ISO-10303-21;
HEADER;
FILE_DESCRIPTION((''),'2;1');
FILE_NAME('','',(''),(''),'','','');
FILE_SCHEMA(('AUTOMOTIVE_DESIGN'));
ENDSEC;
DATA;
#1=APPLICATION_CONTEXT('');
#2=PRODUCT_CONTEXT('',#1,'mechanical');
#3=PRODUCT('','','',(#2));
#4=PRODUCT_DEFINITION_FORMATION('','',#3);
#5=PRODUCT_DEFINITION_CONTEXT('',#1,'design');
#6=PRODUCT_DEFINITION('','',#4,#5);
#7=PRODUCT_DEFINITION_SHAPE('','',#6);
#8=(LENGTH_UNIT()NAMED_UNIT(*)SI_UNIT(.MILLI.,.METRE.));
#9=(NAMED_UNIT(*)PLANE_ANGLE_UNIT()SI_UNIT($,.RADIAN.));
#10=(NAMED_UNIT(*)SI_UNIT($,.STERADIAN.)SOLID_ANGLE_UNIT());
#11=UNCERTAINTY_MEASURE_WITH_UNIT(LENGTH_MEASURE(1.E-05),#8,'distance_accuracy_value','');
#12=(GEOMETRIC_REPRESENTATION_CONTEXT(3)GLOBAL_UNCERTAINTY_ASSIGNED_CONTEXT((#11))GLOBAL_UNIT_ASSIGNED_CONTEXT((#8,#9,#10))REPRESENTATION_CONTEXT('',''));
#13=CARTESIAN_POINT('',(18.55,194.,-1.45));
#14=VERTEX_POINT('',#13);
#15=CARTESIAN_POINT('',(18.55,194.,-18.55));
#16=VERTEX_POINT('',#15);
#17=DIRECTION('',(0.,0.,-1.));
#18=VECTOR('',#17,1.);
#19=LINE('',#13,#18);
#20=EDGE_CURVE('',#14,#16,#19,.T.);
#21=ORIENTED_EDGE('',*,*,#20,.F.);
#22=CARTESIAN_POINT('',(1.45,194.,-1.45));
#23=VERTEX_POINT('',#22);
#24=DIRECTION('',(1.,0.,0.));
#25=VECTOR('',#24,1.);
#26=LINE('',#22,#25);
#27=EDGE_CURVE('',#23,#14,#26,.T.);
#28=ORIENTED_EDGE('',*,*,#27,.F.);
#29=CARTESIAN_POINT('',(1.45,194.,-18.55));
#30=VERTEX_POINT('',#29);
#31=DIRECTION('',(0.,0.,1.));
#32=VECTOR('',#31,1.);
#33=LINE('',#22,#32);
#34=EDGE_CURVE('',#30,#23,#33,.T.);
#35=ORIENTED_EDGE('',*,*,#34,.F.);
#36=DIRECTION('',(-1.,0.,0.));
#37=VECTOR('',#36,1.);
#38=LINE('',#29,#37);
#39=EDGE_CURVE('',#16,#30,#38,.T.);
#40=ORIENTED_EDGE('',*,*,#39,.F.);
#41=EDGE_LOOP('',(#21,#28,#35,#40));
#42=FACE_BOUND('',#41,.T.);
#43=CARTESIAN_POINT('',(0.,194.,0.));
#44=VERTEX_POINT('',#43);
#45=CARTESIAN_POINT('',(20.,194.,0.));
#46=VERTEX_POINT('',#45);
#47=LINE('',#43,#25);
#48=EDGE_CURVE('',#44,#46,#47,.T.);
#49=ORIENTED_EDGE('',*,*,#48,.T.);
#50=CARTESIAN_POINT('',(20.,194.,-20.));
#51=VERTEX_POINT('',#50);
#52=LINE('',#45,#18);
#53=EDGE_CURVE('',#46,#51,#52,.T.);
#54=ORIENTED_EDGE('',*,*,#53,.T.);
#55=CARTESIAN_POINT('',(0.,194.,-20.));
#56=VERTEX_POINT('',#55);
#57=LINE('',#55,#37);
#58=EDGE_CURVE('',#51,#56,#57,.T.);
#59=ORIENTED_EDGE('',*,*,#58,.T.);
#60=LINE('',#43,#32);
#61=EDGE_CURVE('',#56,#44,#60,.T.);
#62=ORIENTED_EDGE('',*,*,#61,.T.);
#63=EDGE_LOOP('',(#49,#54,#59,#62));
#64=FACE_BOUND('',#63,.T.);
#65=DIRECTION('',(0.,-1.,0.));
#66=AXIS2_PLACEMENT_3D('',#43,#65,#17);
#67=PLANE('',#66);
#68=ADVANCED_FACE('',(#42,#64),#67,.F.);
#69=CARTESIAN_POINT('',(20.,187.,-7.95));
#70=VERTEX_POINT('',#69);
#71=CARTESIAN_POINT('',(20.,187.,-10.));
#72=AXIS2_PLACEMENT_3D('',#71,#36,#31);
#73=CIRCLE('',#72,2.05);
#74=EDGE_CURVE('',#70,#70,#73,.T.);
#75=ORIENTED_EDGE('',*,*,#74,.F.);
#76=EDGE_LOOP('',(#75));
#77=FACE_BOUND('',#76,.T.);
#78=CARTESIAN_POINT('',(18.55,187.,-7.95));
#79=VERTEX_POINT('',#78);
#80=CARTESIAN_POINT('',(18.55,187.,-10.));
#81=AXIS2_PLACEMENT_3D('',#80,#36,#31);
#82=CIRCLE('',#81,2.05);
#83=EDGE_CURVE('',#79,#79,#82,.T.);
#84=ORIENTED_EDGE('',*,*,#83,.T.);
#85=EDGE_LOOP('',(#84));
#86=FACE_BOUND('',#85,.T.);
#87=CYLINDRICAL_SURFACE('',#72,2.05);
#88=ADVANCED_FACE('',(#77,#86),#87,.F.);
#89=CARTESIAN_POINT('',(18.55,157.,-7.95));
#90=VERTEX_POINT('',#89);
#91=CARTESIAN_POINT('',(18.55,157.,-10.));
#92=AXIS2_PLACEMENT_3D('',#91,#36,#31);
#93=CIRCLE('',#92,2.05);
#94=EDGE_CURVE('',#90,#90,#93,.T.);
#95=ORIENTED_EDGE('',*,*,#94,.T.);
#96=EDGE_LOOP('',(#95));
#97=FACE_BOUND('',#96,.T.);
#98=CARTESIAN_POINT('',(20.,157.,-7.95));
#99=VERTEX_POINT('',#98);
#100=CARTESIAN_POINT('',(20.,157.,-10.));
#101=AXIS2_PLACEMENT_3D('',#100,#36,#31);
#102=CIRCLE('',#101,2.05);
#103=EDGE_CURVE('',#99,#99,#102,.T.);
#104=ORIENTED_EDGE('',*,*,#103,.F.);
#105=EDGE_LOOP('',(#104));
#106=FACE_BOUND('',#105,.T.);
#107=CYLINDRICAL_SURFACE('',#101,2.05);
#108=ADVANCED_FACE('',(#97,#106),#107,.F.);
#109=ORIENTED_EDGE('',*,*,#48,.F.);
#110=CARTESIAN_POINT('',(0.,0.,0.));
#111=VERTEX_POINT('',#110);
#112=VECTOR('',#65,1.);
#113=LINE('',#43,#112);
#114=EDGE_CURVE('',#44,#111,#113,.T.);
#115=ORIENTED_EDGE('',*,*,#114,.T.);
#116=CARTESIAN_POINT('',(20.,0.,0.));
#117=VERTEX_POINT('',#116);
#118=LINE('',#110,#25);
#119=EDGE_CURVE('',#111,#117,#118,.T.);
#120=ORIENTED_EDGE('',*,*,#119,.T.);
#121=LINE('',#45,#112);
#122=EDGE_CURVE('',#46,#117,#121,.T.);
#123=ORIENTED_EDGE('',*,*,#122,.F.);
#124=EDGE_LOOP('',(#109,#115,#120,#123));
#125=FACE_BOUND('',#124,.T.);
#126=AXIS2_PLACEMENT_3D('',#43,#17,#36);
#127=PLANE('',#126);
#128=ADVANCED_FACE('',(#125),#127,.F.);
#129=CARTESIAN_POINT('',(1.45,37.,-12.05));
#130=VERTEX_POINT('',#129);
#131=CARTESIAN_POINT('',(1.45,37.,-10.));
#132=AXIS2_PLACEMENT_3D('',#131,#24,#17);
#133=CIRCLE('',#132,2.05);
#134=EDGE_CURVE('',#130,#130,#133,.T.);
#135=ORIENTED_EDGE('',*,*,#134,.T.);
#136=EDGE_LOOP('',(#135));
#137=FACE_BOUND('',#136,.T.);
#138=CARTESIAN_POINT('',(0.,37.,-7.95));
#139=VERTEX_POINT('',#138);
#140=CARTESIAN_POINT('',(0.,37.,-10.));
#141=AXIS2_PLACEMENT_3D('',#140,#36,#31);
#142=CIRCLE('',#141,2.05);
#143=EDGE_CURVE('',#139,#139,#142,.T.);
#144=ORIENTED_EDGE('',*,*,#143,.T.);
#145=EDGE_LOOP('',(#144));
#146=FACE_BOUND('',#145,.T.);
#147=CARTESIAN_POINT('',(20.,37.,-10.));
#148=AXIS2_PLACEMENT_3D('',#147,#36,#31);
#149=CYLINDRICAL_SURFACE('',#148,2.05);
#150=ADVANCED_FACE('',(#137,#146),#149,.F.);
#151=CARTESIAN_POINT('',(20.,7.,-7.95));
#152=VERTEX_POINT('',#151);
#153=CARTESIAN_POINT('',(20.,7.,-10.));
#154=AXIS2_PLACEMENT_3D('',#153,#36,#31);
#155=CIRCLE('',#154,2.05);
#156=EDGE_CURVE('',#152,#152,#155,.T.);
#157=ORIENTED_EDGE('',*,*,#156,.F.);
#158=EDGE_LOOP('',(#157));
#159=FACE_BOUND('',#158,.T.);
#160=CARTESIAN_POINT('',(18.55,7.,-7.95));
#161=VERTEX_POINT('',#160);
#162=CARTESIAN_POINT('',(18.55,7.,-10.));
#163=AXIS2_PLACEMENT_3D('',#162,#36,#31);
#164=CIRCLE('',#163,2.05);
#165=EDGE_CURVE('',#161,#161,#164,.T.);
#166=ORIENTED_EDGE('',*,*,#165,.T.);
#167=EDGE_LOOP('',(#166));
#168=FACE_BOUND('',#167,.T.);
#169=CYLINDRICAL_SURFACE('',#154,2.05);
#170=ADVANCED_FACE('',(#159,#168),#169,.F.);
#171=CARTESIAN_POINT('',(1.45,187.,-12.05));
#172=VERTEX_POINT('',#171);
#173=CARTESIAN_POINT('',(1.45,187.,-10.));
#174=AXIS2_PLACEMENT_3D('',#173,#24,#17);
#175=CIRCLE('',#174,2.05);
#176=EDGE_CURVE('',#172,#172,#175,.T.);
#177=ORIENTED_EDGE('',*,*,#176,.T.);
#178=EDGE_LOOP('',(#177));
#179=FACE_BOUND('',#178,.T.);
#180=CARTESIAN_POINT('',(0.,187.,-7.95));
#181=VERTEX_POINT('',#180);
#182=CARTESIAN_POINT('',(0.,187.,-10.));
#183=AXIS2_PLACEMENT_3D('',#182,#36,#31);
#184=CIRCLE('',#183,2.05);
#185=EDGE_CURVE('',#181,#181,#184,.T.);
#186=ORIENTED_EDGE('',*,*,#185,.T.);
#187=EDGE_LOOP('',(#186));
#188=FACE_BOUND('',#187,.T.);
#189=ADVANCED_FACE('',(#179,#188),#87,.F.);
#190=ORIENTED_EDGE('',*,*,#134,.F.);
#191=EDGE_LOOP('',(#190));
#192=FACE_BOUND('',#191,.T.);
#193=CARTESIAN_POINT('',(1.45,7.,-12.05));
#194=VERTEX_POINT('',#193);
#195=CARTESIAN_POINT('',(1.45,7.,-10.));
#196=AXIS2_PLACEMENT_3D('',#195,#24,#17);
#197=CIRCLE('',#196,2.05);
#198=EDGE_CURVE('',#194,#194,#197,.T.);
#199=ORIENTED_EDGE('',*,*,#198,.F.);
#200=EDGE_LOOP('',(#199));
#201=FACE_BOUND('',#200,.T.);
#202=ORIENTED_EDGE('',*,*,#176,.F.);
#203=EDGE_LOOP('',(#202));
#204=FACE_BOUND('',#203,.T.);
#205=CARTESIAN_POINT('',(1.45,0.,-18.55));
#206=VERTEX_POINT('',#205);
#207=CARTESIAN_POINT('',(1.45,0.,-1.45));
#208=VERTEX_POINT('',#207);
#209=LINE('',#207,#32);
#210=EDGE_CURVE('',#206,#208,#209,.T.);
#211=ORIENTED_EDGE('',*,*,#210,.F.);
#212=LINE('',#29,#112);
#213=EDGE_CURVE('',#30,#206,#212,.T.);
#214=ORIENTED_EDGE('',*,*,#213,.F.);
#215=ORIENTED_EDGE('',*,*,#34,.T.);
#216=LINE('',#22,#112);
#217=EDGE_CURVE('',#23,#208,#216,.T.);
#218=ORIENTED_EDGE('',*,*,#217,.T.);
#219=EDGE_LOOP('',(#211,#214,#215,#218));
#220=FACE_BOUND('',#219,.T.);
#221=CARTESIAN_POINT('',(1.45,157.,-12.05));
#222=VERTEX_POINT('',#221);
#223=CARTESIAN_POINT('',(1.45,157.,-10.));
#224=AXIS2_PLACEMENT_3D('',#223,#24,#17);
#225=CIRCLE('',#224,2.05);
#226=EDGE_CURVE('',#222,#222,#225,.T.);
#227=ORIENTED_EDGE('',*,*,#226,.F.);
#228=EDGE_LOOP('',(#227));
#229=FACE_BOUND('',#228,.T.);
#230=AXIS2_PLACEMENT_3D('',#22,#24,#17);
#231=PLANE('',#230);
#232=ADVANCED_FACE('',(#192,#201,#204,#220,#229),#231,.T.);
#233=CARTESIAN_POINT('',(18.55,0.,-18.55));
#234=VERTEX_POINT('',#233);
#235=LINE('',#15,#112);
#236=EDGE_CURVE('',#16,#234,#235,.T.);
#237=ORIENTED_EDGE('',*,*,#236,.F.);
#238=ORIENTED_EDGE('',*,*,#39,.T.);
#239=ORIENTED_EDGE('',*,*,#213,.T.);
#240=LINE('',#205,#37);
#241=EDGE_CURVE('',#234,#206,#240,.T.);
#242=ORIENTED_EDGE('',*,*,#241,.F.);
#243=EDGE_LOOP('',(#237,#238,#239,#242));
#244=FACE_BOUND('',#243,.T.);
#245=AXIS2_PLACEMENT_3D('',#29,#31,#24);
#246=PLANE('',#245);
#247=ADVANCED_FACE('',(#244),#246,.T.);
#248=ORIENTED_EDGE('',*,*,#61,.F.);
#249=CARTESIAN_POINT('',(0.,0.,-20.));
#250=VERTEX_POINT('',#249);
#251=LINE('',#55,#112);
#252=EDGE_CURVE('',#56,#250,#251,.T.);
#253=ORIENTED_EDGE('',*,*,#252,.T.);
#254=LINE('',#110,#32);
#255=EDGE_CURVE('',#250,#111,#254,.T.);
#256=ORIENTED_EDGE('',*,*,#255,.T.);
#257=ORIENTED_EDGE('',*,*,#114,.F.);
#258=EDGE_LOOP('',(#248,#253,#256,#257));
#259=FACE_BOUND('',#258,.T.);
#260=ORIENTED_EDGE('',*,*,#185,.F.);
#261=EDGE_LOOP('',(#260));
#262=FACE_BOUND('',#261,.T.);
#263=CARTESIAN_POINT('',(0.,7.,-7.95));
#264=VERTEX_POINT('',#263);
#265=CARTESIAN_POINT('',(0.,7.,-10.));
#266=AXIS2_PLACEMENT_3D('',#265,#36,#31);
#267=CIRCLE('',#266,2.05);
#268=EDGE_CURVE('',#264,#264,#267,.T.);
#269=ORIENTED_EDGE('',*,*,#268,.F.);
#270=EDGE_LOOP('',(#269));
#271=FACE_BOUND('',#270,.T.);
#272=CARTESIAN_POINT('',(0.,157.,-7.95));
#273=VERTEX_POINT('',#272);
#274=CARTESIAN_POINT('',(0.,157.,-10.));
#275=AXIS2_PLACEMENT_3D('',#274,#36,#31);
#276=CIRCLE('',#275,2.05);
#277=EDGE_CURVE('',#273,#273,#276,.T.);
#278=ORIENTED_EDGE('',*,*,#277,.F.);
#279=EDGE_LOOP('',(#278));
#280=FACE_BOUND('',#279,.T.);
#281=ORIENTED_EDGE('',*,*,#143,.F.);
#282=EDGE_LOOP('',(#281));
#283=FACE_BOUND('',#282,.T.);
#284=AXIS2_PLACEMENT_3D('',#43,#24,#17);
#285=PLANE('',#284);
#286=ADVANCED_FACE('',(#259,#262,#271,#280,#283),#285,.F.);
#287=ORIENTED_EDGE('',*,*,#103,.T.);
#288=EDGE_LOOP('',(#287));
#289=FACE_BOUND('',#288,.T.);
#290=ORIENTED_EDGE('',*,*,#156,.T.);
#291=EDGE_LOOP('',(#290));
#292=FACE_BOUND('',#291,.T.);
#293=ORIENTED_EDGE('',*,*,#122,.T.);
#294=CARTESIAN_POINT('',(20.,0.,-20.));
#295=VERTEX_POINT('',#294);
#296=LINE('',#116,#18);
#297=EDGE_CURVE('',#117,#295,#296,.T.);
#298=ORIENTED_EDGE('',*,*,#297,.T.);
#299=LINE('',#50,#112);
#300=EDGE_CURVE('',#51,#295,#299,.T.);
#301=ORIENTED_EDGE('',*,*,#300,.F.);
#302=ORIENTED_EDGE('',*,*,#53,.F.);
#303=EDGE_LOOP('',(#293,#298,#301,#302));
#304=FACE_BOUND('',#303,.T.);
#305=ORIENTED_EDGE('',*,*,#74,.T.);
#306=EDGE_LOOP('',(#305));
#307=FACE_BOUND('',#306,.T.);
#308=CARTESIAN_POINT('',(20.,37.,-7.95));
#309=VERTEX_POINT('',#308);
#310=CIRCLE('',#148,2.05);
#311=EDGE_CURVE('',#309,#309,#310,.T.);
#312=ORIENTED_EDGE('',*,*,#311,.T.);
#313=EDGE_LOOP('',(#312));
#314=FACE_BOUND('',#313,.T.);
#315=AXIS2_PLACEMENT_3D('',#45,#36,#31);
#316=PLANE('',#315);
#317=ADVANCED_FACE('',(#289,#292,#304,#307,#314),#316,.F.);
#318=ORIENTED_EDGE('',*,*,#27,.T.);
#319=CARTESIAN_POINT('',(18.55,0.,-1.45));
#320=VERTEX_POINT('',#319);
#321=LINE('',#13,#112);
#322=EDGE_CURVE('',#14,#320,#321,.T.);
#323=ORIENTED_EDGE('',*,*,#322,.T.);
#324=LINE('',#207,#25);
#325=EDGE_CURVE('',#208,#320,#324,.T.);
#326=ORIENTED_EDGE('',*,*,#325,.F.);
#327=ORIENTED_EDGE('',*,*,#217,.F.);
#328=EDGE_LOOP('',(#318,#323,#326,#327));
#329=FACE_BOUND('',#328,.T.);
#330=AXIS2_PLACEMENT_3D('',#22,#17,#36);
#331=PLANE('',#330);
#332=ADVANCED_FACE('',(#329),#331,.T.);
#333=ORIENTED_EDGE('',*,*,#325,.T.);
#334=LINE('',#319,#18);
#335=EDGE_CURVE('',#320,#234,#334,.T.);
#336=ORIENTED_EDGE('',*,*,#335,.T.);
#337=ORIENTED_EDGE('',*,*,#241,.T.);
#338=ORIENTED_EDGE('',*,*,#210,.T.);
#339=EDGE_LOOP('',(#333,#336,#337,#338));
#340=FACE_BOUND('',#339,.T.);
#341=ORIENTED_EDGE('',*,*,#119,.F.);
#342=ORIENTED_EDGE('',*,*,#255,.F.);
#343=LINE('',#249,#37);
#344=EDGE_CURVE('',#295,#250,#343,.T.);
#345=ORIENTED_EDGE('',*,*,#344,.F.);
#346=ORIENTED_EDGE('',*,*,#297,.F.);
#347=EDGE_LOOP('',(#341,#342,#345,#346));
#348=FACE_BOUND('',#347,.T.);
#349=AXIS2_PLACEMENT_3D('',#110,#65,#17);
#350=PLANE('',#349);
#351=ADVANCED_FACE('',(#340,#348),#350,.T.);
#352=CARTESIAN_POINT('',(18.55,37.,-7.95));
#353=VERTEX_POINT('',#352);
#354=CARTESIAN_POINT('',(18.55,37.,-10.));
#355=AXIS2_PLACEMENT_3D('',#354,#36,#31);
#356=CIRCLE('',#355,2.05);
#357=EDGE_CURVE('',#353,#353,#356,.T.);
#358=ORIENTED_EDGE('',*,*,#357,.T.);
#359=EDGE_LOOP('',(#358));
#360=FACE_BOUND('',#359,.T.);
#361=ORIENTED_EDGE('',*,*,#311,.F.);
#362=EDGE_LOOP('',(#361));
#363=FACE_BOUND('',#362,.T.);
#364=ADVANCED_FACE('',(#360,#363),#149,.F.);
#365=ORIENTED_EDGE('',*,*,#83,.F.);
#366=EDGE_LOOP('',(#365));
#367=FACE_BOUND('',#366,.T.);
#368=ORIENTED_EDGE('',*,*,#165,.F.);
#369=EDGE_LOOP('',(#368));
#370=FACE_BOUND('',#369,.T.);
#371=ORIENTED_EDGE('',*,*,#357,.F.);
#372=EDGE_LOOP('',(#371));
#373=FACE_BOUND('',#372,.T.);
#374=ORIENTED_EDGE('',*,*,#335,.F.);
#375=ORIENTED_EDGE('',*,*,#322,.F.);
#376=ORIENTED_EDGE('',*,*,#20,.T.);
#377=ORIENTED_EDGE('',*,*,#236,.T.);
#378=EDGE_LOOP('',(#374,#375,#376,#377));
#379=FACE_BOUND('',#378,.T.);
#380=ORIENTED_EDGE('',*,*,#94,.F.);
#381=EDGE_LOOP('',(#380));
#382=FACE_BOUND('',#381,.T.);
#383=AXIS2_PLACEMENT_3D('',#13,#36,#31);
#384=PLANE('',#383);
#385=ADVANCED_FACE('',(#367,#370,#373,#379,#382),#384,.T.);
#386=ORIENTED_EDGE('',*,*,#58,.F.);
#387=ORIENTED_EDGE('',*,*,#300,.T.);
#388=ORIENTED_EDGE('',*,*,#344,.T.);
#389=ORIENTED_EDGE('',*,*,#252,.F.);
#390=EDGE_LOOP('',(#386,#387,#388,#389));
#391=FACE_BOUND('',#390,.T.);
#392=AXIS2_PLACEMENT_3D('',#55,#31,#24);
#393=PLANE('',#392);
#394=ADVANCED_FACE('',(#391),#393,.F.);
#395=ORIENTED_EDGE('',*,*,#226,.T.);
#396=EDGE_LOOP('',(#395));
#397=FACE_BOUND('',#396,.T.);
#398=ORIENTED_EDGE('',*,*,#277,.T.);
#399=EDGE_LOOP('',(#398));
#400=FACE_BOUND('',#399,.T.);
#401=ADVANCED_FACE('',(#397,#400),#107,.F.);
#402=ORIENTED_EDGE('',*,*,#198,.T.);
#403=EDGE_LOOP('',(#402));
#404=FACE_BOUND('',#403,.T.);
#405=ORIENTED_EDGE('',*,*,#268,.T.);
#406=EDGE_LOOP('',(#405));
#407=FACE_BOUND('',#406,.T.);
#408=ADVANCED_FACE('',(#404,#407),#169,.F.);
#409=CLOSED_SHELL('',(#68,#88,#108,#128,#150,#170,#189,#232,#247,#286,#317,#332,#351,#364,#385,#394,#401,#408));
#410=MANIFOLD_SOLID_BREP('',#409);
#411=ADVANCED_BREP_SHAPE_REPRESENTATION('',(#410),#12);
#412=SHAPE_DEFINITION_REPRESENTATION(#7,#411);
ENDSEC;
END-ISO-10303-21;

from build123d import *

# Parameters (mm, degrees)
SKETCH1_W           = 20
SKETCH1_H           = 20
SKETCH1_W_2         = 17.1
SKETCH1_H_2         = 17.1
BOSS_EXTRUDE1_DEPTH = 194
SKETCH2_R           = 2.05
CUT_EXTRUDE1_DEPTH  = 21


with BuildPart() as part:
    # Sketch1 → Boss-Extrude1 (new body)
    with BuildSketch(Plane(origin=(0, 0, 0), x_dir=(1, 0, 0), z_dir=(0, 1, 0))):
        with Locations((10, 10)):
            Rectangle(SKETCH1_W, SKETCH1_H)
        with Locations((10, 10)):
            Rectangle(SKETCH1_W_2, SKETCH1_H_2, mode=Mode.SUBTRACT)
    extrude(amount=BOSS_EXTRUDE1_DEPTH)

    # Sketch2 → Cut-Extrude1 (cut, through all)
    with BuildSketch(Plane.ZY):
        with Locations((-10, 187)):
            Circle(SKETCH2_R)
        with Locations((-10, 157)):
            Circle(SKETCH2_R)
        with Locations((-10, 37)):
            Circle(SKETCH2_R)
        with Locations((-10, 7)):
            Circle(SKETCH2_R)
    extrude(amount=-CUT_EXTRUDE1_DEPTH, mode=Mode.SUBTRACT)


solid = part.part
